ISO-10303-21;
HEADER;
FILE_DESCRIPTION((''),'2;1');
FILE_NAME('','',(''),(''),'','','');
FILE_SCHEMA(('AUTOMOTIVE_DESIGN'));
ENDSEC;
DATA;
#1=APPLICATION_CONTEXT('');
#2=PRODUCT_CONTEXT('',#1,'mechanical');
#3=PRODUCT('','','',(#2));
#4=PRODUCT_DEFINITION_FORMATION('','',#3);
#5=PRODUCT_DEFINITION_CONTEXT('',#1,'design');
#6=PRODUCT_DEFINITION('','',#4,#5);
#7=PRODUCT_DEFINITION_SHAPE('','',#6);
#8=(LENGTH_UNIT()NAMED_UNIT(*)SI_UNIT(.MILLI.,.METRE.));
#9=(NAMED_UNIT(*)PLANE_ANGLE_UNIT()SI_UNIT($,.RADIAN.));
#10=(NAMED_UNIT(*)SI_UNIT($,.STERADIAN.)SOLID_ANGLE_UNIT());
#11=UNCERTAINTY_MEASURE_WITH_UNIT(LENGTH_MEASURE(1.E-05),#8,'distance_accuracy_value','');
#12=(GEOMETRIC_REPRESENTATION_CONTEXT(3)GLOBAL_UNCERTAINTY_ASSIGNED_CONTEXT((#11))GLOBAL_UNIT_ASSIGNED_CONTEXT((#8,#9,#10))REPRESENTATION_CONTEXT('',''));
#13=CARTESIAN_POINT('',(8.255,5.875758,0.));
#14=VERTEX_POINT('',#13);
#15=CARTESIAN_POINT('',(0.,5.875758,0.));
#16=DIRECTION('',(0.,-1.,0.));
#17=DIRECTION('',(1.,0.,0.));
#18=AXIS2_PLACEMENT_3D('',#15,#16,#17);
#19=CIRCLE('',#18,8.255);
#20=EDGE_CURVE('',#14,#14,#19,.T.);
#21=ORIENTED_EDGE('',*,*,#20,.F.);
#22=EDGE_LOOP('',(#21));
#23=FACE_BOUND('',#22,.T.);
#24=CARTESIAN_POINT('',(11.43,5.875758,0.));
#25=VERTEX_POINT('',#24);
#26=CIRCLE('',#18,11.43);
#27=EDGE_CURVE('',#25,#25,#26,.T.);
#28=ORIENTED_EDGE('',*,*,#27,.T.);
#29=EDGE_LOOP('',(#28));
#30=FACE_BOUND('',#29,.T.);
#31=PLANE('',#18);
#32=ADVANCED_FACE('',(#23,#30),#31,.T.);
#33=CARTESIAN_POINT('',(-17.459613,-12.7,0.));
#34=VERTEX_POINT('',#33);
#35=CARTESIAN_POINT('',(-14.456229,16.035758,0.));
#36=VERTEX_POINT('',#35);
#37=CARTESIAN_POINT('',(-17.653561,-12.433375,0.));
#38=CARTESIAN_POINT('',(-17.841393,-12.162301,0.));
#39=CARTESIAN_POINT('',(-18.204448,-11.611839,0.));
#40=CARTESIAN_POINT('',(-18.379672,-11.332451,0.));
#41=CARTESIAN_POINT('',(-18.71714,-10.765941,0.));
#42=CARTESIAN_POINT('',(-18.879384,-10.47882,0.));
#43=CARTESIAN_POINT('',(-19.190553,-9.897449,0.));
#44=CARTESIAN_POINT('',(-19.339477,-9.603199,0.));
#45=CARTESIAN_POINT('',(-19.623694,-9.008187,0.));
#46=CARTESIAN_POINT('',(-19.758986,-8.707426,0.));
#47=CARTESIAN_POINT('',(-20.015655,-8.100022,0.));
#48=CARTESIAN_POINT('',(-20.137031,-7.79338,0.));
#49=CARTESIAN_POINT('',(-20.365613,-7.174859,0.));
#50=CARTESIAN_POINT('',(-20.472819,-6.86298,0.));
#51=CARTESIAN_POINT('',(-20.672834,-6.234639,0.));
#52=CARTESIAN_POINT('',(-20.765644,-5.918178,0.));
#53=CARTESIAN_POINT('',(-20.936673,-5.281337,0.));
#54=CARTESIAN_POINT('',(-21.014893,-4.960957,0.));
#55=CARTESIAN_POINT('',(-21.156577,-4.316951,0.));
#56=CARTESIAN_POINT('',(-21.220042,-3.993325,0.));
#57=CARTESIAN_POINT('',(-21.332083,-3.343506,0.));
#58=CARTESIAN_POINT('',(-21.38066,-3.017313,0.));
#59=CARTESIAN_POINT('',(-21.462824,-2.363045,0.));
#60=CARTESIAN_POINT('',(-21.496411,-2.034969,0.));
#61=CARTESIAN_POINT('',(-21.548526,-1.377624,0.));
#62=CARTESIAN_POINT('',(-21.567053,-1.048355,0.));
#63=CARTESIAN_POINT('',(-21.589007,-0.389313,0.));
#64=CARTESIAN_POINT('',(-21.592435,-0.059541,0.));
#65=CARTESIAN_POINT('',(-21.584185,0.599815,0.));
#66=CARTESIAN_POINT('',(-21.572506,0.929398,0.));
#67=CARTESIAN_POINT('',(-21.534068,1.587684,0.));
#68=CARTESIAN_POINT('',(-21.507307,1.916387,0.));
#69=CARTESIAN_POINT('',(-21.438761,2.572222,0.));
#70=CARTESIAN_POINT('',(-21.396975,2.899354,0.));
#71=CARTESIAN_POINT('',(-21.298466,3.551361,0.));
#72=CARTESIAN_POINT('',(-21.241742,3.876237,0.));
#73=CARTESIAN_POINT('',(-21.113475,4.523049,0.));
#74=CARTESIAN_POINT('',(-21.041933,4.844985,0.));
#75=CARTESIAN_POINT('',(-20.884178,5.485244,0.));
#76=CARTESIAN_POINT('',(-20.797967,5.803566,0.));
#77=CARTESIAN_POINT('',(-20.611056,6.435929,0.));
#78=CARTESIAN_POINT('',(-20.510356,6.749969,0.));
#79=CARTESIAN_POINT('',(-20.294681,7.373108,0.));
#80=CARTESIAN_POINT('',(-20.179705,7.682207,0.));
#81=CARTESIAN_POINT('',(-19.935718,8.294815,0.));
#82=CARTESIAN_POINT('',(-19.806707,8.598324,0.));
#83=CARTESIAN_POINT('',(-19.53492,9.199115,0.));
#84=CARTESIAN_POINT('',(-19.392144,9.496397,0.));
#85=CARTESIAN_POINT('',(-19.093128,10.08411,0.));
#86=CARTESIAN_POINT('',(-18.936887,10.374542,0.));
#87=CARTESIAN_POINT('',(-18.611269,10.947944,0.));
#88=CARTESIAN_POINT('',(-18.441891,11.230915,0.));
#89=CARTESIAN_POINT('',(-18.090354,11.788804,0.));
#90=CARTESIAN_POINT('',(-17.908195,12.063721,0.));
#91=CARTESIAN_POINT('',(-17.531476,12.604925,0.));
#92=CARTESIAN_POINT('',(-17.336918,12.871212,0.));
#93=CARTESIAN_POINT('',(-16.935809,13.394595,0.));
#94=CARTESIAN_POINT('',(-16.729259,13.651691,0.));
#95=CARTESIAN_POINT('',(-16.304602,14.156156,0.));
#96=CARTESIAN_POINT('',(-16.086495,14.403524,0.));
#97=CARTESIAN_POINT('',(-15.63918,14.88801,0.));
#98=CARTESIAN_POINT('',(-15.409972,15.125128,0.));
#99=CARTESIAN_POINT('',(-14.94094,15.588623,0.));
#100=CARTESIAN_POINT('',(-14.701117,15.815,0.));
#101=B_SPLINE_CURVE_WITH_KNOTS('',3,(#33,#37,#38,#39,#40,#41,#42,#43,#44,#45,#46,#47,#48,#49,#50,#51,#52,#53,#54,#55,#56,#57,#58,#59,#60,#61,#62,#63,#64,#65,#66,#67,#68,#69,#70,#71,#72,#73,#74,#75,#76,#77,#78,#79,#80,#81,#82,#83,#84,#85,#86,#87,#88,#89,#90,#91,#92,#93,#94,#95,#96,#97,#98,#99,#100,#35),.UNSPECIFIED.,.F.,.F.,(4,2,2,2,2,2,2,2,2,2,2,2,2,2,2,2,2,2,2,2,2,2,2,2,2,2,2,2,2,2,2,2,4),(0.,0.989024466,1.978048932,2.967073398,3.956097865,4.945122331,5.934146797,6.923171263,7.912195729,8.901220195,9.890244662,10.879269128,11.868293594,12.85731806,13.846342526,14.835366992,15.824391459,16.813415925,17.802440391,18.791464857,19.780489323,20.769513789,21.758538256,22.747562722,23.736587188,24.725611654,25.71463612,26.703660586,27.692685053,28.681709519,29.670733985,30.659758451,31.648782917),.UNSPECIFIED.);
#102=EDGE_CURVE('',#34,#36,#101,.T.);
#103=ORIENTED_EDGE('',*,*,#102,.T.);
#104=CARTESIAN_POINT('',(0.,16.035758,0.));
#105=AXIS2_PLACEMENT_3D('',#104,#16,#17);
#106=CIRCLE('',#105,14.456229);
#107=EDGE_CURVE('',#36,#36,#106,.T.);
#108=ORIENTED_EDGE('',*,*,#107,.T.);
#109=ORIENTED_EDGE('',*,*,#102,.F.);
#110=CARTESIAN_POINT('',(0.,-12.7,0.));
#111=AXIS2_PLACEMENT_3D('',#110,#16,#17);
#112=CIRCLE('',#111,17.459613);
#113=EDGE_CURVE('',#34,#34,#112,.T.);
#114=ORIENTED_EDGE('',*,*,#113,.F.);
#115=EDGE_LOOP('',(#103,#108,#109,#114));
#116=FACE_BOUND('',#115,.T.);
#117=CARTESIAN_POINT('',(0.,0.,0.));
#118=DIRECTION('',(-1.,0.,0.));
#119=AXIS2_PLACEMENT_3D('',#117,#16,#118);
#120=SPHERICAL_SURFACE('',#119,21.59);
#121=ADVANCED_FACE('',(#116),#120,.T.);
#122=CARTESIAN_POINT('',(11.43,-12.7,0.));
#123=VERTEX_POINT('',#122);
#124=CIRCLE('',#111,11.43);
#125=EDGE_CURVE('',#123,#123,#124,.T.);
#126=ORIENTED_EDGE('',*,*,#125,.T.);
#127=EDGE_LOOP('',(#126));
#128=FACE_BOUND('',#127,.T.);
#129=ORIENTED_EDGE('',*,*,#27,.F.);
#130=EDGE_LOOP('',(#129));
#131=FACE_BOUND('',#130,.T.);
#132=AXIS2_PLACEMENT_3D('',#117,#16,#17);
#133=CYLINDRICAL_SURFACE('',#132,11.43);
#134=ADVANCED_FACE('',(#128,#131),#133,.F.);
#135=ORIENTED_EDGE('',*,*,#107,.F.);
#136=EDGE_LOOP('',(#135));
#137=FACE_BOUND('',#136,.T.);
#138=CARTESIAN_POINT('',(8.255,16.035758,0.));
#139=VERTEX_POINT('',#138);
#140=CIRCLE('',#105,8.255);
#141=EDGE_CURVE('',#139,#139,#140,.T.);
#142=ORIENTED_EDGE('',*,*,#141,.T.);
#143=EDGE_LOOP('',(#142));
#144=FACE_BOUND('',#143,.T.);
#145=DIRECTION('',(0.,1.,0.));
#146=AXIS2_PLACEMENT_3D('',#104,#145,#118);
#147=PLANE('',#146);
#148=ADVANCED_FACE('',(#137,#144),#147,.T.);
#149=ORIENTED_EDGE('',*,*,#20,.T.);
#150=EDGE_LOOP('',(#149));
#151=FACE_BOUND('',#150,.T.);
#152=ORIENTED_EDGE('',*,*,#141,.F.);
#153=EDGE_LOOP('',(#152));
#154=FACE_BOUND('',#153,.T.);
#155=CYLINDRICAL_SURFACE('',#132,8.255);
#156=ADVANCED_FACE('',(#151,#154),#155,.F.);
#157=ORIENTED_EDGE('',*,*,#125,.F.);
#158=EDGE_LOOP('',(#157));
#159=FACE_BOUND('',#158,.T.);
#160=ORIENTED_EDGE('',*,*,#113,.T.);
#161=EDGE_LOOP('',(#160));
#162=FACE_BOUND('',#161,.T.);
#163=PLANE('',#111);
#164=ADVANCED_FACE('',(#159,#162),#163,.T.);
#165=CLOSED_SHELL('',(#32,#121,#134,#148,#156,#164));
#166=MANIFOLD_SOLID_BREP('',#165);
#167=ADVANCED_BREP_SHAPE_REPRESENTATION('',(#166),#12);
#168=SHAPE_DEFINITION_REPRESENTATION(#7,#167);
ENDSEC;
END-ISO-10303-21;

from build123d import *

# Parameters (mm, degrees)
SKETCH3_R           = 11.43
SKETCH3_R_2         = 8.255
BOSS_EXTRUDE3_DEPTH = 2.54


with BuildPart() as part:
    # Sketch1 → Revolve1 (revolve)
    with BuildSketch(Plane.XY, mode=Mode.PRIVATE) as revolve1_sk:
        with BuildLine():
            Line((-8.255, 16.035758426), (-14.45622882, 16.035758426))
            ThreePointArc((-14.45622882, 16.035758426), (-21.473034234, 2.244304079), (-17.459613398, -12.7))
            Line((-17.459613398, -12.7), (-11.43, -12.7))
            Line((-11.43, -12.7), (-11.43, 8.415758426))
            Line((-11.43, 8.415758426), (-8.255, 8.415758426))
            Line((-8.255, 8.415758426), (-8.255, 16.035758426))
        make_face()
    revolve(revolve1_sk.sketch.rotate(Axis((0, 0, 0), (0, 1, 0)), 180), axis=Axis((0, 0, 0), (0, 1, 0)))

    # Sketch3 → Boss-Extrude3 (add)
    with BuildSketch(Plane.XZ.offset(-8.415758426)):
        Circle(SKETCH3_R)
        Circle(SKETCH3_R_2, mode=Mode.SUBTRACT)
    extrude(amount=BOSS_EXTRUDE3_DEPTH)


solid = part.part
